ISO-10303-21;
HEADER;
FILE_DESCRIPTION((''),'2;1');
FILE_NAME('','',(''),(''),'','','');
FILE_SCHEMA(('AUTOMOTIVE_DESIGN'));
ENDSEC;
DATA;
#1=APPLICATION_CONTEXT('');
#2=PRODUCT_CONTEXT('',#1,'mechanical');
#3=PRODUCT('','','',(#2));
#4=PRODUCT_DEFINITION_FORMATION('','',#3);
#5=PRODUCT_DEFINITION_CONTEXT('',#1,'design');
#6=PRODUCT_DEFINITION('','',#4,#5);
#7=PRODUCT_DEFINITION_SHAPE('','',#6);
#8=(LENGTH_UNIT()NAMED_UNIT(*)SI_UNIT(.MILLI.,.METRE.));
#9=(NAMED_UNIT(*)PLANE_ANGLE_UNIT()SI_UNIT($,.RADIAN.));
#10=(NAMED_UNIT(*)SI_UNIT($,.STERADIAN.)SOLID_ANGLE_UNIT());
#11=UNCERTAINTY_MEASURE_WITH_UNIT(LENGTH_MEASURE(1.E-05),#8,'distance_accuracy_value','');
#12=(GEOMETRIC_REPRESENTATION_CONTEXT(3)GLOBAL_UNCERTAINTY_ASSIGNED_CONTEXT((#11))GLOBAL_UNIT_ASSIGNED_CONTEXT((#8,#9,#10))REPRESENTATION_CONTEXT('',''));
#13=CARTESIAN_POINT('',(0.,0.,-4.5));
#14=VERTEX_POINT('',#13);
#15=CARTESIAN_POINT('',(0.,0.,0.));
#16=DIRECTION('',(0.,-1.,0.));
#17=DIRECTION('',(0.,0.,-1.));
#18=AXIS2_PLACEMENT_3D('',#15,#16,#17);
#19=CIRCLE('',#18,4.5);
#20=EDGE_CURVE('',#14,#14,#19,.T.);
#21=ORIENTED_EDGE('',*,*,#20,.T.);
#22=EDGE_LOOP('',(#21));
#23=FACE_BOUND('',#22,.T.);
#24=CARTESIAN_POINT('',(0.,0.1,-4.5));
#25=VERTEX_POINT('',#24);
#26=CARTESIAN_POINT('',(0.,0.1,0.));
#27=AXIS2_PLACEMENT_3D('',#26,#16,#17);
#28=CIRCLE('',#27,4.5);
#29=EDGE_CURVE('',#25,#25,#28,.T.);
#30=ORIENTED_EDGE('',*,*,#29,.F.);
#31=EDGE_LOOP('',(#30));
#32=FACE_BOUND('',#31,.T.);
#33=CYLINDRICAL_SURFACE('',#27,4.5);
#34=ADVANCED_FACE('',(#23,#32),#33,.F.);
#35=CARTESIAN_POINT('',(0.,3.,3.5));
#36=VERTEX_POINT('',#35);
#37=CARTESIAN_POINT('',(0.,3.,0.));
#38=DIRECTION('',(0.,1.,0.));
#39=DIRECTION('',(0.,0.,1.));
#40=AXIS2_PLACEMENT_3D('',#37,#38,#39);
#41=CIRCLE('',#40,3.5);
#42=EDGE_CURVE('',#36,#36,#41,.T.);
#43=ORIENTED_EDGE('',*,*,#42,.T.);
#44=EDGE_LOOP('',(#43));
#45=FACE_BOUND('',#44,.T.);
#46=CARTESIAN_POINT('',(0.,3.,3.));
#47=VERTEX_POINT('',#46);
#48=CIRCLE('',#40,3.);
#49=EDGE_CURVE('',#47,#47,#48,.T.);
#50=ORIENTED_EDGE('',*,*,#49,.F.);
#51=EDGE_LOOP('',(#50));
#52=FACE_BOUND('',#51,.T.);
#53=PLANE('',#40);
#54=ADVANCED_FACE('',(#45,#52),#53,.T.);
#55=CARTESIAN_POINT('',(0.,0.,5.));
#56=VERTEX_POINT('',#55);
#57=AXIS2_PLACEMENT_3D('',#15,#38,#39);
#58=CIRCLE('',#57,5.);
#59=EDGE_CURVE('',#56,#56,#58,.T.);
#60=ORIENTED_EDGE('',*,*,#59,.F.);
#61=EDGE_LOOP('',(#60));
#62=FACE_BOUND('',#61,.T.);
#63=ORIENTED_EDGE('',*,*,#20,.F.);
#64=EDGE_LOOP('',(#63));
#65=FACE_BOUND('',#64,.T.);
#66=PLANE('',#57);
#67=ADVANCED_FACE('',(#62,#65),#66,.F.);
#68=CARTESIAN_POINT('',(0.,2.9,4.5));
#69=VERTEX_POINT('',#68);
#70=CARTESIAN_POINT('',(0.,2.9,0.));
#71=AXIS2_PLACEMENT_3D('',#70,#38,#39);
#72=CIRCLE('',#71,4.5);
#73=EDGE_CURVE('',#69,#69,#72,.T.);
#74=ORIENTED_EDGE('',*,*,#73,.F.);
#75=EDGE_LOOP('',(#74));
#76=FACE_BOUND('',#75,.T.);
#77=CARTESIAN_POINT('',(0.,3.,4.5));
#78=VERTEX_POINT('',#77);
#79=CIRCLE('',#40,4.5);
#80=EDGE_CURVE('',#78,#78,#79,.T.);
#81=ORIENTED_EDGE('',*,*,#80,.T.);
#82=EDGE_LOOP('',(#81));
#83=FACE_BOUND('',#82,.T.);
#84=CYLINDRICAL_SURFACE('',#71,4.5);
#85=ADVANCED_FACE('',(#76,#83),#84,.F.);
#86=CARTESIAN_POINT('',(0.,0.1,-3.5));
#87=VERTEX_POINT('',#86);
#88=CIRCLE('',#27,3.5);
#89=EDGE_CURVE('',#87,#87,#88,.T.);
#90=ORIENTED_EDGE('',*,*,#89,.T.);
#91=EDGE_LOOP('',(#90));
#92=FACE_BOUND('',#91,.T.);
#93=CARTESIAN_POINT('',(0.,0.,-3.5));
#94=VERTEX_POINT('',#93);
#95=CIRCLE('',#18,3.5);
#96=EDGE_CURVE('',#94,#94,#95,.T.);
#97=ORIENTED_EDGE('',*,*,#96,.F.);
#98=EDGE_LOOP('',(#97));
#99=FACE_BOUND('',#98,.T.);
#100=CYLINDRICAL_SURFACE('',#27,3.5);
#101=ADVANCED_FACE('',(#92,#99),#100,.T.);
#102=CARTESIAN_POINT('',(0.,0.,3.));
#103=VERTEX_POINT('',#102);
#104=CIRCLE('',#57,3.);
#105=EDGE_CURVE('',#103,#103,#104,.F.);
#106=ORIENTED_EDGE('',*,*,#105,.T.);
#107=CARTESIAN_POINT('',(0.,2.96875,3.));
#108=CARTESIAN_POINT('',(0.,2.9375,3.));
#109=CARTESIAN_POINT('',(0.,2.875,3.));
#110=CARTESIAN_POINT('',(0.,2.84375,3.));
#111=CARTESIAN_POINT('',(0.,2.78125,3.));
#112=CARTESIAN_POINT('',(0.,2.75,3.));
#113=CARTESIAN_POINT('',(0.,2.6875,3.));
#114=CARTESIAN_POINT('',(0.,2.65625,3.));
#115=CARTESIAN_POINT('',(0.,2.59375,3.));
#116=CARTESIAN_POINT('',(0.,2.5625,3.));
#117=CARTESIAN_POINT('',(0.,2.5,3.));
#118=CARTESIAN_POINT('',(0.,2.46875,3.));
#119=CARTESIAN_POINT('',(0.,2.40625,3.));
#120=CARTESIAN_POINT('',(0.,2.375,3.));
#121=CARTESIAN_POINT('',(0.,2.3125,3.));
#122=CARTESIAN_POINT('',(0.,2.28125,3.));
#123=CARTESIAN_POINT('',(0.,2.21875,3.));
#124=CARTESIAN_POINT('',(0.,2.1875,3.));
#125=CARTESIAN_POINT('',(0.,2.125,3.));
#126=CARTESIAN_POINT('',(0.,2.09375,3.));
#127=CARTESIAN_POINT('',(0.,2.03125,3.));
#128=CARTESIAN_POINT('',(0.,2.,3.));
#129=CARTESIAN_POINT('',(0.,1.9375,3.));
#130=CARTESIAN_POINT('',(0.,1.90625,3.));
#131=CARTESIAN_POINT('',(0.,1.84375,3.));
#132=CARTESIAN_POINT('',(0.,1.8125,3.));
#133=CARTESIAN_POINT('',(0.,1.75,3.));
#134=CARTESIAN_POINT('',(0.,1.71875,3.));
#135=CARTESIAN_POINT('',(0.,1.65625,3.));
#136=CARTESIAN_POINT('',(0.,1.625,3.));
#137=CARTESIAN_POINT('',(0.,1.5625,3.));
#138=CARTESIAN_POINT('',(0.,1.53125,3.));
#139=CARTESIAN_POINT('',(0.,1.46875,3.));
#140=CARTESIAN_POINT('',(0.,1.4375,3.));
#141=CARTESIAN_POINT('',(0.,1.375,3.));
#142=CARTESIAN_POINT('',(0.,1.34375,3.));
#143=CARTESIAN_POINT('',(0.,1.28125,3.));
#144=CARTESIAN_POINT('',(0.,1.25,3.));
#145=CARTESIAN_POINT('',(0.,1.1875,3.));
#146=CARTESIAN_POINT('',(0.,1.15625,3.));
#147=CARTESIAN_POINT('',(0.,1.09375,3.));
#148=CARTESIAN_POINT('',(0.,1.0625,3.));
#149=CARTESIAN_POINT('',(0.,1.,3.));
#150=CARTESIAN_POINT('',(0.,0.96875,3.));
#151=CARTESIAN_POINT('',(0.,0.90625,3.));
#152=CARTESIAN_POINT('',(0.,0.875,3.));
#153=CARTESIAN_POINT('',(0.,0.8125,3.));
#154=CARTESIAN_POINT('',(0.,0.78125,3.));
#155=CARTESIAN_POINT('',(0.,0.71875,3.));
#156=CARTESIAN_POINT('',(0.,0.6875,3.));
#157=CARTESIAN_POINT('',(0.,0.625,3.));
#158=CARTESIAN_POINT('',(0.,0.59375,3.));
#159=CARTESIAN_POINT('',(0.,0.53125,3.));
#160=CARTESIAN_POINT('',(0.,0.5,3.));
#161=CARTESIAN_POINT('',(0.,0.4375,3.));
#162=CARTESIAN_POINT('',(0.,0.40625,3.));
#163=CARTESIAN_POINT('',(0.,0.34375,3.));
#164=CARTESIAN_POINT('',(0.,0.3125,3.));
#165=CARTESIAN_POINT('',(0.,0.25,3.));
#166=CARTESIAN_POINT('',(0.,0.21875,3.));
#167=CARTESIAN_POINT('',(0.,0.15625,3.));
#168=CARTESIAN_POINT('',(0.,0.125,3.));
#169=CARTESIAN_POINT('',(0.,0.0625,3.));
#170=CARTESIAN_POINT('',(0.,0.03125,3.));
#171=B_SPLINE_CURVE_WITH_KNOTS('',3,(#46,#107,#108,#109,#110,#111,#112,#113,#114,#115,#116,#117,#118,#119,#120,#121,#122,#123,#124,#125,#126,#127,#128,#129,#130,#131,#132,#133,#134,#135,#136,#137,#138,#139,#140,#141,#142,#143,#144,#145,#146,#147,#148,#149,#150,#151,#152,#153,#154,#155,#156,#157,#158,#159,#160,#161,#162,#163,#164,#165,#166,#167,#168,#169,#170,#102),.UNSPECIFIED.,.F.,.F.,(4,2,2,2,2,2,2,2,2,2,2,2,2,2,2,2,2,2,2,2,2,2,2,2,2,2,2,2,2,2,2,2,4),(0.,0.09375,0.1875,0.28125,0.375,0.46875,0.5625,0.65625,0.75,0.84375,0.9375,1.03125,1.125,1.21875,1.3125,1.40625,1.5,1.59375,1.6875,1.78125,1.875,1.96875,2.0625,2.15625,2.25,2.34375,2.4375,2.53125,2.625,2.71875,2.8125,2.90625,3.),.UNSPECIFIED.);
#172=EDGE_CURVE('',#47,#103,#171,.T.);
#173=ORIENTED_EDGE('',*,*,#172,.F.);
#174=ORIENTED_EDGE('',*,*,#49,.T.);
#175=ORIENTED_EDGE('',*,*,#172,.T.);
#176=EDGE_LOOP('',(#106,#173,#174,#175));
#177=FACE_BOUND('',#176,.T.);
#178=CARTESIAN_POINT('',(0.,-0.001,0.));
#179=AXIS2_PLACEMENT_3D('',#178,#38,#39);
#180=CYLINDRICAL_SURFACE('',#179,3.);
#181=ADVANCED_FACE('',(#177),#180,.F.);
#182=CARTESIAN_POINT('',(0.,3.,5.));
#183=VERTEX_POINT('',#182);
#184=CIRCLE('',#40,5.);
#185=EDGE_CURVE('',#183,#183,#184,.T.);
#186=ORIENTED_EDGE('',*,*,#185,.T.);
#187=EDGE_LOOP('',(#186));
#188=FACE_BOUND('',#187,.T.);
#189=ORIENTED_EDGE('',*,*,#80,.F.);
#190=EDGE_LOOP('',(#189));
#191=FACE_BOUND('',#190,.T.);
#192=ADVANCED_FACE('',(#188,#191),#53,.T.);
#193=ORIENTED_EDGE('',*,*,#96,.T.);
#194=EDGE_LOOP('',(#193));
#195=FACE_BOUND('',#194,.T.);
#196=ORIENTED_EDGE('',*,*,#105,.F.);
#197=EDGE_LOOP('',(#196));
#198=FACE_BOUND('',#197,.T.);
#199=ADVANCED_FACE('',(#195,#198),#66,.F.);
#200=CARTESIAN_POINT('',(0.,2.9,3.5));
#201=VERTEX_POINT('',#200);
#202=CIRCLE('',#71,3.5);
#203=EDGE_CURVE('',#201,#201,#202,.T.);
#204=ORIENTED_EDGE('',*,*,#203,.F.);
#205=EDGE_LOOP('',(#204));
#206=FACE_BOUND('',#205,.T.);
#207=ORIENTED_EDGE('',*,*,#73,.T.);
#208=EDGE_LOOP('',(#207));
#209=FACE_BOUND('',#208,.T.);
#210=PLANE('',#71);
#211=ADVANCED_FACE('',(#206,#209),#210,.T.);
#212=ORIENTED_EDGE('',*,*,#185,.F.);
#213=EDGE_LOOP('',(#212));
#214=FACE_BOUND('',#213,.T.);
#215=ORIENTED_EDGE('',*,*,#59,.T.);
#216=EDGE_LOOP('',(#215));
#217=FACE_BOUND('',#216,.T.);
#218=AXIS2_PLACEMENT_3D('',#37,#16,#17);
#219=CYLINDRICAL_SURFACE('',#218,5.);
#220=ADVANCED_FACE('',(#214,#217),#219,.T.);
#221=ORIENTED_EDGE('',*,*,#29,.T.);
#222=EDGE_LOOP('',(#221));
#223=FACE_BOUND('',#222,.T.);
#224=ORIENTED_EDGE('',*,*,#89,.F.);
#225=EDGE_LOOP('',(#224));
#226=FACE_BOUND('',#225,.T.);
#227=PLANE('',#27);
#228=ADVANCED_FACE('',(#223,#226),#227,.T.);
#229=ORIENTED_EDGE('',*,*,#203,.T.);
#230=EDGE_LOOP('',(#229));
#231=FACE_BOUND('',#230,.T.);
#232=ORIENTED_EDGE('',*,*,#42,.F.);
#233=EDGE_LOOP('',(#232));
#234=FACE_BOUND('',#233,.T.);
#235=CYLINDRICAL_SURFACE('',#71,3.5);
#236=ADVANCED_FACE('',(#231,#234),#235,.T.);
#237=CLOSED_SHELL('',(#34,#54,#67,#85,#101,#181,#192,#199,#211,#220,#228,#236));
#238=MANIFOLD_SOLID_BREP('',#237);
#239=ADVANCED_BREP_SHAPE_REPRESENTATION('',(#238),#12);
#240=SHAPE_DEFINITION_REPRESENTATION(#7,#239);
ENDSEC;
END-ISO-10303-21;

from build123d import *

# Parameters (mm, degrees)
SKETCH_1_R          = 5
EXTRUDE_1_DEPTH     = 3
CUT_EXTRUDE_1_REACH = 9.681
SKETCH_2_R          = 3
SKETCH_3_R          = 4.5
SKETCH_3_R_2        = 3.5
CUT_EXTRUDE_2_DEPTH = 0.1
CUT_EXTRUDE_START   = -0.1
SKETCH_4_R          = 4.5
SKETCH_4_R_2        = 3.5
CUT_EXTRUDE_3_DEPTH = 0.1


with BuildPart() as part:
    # 草图1 → 凸台-拉伸1 (new body)
    with BuildSketch(Plane(origin=(0, 0, 0), x_dir=(1, 0, 0), z_dir=(0, 1, 0))):
        with Locations(Location((0, 0, 0), (0, 0, 270))):
            Circle(SKETCH_1_R)
    extrude(amount=EXTRUDE_1_DEPTH)

    # 草图2 → 切除-拉伸1 (cut, up to next)
    with BuildSketch(Plane(origin=(0, 3, 0), x_dir=(1, 0, 0), z_dir=(0, 1, 0)), mode=Mode.PRIVATE) as cut_extrude_1_sk1:
        with Locations(Location((0, 0, 0), (0, 0, 270))):
            Circle(SKETCH_2_R)
    cut_extrude_1_tool1 = extrude(cut_extrude_1_sk1.sketch, amount=-CUT_EXTRUDE_1_REACH, mode=Mode.PRIVATE) & part.part
    add(cut_extrude_1_tool1.solids().sort_by_distance((0, 3, 0))[0], mode=Mode.SUBTRACT)

    # 草图3 → 切除-拉伸2 (cut)
    with BuildSketch(Plane(origin=(0, 3, 0), x_dir=(1, 0, 0), z_dir=(0, 1, 0))):
        with Locations(Location((0, 0, 0), (0, 0, 270))):
            Circle(SKETCH_3_R)
        with Locations(Location((0, 0, 0), (0, 0, 270))):
            Circle(SKETCH_3_R_2, mode=Mode.SUBTRACT)
    extrude(amount=-CUT_EXTRUDE_2_DEPTH, mode=Mode.SUBTRACT)

    # 草图4 → 切除-拉伸3 (cut)
    with BuildSketch(Plane.XZ.offset(CUT_EXTRUDE_START)):
        with Locations(Location((0, 0, 0), (0, 0, 90))):
            Circle(SKETCH_4_R)
        with Locations(Location((0, 0, 0), (0, 0, 90))):
            Circle(SKETCH_4_R_2, mode=Mode.SUBTRACT)
    extrude(amount=CUT_EXTRUDE_3_DEPTH, mode=Mode.SUBTRACT)


solid = part.part
